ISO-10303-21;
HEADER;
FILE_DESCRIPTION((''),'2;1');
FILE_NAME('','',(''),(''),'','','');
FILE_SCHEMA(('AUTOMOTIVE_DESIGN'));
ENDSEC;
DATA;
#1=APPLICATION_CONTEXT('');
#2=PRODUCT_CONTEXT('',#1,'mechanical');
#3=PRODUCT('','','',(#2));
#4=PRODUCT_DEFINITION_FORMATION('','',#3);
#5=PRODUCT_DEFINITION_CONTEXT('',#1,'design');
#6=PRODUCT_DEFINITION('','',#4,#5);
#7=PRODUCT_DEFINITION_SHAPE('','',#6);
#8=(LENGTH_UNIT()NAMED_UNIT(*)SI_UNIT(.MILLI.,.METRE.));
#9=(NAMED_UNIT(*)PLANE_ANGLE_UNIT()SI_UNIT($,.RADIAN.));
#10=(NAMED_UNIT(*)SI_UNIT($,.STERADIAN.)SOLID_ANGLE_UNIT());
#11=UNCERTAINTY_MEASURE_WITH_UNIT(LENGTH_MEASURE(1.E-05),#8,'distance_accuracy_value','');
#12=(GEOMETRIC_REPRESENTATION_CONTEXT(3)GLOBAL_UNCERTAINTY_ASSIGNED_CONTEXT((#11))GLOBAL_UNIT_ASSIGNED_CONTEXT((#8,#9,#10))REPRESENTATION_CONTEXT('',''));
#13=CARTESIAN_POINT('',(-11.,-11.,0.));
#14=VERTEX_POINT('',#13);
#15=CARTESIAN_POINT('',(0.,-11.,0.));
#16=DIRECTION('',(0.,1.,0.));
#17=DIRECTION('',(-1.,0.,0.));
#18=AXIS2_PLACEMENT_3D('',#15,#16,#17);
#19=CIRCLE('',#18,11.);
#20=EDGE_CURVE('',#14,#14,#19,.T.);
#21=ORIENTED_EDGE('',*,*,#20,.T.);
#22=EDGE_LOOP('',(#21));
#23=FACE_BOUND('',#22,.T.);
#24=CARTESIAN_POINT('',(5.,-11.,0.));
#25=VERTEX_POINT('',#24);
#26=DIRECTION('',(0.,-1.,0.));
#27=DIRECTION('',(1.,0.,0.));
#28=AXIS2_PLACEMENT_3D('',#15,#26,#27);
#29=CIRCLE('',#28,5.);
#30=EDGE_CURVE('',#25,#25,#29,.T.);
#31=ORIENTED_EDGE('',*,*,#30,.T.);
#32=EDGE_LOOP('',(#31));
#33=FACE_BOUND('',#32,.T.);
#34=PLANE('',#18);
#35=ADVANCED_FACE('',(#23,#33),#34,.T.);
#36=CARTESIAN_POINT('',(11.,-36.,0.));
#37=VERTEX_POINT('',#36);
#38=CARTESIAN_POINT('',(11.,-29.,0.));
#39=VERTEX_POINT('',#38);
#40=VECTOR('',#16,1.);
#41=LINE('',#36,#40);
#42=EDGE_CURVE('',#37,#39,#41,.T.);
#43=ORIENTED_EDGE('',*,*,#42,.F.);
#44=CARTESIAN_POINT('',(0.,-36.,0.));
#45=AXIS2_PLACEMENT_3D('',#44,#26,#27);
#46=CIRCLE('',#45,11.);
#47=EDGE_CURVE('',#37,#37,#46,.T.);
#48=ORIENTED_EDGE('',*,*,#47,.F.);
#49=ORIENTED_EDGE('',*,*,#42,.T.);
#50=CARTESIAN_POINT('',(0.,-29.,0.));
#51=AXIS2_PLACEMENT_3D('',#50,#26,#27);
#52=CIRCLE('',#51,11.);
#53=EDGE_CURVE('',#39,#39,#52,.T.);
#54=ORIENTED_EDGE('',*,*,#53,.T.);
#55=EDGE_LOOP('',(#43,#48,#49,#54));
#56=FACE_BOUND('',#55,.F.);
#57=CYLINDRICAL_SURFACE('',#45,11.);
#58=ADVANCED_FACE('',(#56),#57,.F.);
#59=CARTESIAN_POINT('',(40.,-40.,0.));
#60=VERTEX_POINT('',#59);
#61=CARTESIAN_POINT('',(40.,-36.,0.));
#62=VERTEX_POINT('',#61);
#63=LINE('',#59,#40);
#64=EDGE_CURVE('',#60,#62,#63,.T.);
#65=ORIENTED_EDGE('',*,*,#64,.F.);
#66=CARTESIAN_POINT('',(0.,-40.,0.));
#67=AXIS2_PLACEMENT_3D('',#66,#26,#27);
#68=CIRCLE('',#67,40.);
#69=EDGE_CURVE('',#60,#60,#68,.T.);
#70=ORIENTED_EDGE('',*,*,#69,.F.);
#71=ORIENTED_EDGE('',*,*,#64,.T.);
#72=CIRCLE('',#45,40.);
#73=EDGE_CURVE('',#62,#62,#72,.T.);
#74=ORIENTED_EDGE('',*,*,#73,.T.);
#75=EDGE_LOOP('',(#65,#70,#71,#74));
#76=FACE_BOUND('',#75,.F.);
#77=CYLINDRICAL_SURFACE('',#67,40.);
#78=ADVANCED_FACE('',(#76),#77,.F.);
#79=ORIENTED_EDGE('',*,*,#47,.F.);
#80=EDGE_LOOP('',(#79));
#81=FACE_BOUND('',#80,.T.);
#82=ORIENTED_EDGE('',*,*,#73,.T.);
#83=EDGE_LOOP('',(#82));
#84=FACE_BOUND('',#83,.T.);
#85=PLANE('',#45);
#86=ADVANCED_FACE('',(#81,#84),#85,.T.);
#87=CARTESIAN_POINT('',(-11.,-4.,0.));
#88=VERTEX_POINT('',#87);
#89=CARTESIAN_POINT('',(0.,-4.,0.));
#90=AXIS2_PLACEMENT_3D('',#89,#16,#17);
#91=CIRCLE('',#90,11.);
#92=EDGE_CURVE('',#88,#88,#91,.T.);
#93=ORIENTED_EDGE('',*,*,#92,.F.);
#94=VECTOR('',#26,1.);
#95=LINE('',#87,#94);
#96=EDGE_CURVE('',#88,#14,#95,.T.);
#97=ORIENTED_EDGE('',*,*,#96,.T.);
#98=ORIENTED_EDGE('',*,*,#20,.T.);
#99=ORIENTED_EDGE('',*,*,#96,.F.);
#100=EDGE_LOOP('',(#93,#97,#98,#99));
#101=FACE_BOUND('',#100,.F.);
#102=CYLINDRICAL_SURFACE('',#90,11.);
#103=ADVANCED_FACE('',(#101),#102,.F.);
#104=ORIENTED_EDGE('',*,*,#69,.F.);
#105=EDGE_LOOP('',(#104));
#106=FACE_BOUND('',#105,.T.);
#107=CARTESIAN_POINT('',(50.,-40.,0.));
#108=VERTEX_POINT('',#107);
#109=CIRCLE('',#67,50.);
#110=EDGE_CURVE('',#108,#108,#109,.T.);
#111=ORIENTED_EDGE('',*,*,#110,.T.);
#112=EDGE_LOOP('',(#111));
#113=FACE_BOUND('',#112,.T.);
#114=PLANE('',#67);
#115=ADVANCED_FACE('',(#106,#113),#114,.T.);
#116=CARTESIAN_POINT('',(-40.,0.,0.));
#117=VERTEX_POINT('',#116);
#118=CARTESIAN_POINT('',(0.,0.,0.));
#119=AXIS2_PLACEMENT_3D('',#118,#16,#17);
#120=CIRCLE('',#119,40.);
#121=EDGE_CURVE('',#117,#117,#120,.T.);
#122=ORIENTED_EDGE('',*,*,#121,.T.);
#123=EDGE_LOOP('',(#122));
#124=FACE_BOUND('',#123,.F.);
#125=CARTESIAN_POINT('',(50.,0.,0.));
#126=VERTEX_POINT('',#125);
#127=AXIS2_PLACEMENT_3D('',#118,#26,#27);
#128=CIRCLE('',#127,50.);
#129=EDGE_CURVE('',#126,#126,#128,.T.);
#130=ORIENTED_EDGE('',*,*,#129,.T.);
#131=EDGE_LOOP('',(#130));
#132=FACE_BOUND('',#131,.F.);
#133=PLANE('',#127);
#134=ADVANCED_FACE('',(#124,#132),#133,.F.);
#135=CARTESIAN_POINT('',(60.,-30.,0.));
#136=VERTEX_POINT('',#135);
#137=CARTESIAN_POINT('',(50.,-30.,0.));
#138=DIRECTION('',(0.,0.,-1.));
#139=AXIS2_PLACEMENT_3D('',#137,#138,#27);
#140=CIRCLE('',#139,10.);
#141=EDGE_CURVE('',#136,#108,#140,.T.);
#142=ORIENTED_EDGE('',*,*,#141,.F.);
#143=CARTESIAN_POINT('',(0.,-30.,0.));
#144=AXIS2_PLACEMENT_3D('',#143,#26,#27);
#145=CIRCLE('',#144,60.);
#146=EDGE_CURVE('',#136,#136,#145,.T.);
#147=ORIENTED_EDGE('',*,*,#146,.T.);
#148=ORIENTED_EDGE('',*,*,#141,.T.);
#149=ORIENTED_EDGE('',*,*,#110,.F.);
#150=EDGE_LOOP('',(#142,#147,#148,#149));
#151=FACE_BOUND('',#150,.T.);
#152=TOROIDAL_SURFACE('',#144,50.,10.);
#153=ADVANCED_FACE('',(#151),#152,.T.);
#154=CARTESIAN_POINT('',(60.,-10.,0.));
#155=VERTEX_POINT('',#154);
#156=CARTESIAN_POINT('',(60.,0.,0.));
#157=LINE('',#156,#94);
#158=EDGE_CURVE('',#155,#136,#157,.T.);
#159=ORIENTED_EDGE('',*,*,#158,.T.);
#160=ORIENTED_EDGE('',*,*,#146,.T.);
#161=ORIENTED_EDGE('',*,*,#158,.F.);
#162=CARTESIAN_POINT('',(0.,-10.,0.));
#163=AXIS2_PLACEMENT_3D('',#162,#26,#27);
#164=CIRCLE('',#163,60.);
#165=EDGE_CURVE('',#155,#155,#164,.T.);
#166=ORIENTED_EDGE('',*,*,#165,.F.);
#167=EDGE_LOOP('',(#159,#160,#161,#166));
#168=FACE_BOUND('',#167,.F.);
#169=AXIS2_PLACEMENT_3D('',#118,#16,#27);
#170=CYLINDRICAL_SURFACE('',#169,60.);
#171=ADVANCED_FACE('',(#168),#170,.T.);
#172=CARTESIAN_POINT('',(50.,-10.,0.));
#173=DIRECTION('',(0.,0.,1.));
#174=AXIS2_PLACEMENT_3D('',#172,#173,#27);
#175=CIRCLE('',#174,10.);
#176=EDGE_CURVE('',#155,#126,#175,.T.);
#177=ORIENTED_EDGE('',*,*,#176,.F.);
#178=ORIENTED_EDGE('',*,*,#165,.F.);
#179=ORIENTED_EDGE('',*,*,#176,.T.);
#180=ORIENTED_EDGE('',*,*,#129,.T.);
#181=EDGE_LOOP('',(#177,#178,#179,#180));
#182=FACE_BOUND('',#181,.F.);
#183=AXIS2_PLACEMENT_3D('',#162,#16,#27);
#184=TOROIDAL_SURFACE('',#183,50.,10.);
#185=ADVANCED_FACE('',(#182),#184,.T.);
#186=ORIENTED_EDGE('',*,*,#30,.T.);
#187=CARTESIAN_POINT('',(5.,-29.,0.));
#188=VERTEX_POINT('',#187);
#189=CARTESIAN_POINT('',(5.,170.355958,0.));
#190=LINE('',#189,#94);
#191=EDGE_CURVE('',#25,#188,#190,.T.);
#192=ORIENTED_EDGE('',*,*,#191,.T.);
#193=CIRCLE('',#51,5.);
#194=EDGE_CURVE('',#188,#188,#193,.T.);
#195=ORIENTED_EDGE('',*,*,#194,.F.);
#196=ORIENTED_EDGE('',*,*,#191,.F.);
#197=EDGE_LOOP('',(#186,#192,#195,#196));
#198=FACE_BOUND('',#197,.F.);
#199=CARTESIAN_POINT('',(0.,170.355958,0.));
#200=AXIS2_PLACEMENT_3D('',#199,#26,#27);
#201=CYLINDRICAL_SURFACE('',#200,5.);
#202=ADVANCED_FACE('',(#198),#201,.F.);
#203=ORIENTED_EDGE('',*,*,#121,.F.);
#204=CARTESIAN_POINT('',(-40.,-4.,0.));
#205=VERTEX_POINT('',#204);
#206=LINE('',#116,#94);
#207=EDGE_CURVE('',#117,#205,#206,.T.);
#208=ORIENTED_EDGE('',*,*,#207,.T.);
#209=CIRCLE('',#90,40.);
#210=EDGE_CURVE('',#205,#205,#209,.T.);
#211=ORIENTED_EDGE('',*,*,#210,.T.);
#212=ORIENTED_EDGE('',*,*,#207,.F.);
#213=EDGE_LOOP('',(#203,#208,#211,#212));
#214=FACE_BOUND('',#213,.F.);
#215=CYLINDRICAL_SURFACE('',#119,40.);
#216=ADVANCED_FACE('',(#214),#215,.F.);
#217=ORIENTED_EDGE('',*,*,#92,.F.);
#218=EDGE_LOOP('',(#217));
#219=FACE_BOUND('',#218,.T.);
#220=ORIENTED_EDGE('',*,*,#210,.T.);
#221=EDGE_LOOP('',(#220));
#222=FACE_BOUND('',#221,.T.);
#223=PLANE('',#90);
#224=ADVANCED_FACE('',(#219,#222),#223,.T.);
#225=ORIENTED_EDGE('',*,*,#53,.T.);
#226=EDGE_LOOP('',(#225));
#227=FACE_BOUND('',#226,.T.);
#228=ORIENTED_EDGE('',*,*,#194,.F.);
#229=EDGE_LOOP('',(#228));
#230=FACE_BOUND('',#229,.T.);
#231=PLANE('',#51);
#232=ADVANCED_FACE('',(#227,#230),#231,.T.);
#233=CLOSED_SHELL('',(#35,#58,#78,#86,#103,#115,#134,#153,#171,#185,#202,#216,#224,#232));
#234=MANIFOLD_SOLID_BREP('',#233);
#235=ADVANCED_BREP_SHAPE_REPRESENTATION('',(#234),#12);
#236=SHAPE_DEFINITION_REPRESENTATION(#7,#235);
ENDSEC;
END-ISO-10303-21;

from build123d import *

# Parameters (mm, degrees)
F0_R      = 60
F1_DEPTH  = 40
F3_R      = 10
F2_R      = 40
F4_DEPTH  = 4
F5_R      = 40
F6_DEPTH  = 4
F7_R      = 11
F8_DEPTH  = 7
F9_R      = 11
F10_DEPTH = 7
F12_D     = 10


with BuildPart() as f1:
    # F0 (on Front) → F1 (new body)
    with BuildSketch(Plane.XZ):
        Circle(F0_R)
    extrude(amount=F1_DEPTH)

    # F3
    f3_edges = [f1.edges().sort_by_distance(p)[0] for p in [
        (-60, 0, 0),
        (60, -20, 0),
        (-60, -40, 0),
    ]]
    fillet(f3_edges, radius=F3_R)

    # F2 (on face) → F4 (cut)
    with BuildSketch(Plane.XZ.offset(40)):
        Circle(F2_R)
    extrude(amount=-F4_DEPTH, mode=Mode.SUBTRACT)

    # F5 (on face) → F6 (cut)
    with BuildSketch(Plane(origin=(0, 0, 0), x_dir=(-1, 0, 0), z_dir=(0, 1, 0))):
        Circle(F5_R)
    extrude(amount=-F6_DEPTH, mode=Mode.SUBTRACT)

    # F7 (on face) → F8 (cut)
    with BuildSketch(Plane(origin=(0, -4, 0), x_dir=(-1, 0, 0), z_dir=(0, 1, 0))):
        Circle(F7_R)
    extrude(amount=-F8_DEPTH, mode=Mode.SUBTRACT)

    # F9 (on face) → F10 (cut)
    with BuildSketch(Plane.XZ.offset(36)):
        Circle(F9_R)
    extrude(amount=-F10_DEPTH, mode=Mode.SUBTRACT)

    # F12 (through all)
    with Locations(Plane(origin=(0, -4, 0), x_dir=(-1, 0, 0), z_dir=(0, 1, 0))):
        with Locations((0, 0)):
            Hole(F12_D / 2)


solid = f1.part
